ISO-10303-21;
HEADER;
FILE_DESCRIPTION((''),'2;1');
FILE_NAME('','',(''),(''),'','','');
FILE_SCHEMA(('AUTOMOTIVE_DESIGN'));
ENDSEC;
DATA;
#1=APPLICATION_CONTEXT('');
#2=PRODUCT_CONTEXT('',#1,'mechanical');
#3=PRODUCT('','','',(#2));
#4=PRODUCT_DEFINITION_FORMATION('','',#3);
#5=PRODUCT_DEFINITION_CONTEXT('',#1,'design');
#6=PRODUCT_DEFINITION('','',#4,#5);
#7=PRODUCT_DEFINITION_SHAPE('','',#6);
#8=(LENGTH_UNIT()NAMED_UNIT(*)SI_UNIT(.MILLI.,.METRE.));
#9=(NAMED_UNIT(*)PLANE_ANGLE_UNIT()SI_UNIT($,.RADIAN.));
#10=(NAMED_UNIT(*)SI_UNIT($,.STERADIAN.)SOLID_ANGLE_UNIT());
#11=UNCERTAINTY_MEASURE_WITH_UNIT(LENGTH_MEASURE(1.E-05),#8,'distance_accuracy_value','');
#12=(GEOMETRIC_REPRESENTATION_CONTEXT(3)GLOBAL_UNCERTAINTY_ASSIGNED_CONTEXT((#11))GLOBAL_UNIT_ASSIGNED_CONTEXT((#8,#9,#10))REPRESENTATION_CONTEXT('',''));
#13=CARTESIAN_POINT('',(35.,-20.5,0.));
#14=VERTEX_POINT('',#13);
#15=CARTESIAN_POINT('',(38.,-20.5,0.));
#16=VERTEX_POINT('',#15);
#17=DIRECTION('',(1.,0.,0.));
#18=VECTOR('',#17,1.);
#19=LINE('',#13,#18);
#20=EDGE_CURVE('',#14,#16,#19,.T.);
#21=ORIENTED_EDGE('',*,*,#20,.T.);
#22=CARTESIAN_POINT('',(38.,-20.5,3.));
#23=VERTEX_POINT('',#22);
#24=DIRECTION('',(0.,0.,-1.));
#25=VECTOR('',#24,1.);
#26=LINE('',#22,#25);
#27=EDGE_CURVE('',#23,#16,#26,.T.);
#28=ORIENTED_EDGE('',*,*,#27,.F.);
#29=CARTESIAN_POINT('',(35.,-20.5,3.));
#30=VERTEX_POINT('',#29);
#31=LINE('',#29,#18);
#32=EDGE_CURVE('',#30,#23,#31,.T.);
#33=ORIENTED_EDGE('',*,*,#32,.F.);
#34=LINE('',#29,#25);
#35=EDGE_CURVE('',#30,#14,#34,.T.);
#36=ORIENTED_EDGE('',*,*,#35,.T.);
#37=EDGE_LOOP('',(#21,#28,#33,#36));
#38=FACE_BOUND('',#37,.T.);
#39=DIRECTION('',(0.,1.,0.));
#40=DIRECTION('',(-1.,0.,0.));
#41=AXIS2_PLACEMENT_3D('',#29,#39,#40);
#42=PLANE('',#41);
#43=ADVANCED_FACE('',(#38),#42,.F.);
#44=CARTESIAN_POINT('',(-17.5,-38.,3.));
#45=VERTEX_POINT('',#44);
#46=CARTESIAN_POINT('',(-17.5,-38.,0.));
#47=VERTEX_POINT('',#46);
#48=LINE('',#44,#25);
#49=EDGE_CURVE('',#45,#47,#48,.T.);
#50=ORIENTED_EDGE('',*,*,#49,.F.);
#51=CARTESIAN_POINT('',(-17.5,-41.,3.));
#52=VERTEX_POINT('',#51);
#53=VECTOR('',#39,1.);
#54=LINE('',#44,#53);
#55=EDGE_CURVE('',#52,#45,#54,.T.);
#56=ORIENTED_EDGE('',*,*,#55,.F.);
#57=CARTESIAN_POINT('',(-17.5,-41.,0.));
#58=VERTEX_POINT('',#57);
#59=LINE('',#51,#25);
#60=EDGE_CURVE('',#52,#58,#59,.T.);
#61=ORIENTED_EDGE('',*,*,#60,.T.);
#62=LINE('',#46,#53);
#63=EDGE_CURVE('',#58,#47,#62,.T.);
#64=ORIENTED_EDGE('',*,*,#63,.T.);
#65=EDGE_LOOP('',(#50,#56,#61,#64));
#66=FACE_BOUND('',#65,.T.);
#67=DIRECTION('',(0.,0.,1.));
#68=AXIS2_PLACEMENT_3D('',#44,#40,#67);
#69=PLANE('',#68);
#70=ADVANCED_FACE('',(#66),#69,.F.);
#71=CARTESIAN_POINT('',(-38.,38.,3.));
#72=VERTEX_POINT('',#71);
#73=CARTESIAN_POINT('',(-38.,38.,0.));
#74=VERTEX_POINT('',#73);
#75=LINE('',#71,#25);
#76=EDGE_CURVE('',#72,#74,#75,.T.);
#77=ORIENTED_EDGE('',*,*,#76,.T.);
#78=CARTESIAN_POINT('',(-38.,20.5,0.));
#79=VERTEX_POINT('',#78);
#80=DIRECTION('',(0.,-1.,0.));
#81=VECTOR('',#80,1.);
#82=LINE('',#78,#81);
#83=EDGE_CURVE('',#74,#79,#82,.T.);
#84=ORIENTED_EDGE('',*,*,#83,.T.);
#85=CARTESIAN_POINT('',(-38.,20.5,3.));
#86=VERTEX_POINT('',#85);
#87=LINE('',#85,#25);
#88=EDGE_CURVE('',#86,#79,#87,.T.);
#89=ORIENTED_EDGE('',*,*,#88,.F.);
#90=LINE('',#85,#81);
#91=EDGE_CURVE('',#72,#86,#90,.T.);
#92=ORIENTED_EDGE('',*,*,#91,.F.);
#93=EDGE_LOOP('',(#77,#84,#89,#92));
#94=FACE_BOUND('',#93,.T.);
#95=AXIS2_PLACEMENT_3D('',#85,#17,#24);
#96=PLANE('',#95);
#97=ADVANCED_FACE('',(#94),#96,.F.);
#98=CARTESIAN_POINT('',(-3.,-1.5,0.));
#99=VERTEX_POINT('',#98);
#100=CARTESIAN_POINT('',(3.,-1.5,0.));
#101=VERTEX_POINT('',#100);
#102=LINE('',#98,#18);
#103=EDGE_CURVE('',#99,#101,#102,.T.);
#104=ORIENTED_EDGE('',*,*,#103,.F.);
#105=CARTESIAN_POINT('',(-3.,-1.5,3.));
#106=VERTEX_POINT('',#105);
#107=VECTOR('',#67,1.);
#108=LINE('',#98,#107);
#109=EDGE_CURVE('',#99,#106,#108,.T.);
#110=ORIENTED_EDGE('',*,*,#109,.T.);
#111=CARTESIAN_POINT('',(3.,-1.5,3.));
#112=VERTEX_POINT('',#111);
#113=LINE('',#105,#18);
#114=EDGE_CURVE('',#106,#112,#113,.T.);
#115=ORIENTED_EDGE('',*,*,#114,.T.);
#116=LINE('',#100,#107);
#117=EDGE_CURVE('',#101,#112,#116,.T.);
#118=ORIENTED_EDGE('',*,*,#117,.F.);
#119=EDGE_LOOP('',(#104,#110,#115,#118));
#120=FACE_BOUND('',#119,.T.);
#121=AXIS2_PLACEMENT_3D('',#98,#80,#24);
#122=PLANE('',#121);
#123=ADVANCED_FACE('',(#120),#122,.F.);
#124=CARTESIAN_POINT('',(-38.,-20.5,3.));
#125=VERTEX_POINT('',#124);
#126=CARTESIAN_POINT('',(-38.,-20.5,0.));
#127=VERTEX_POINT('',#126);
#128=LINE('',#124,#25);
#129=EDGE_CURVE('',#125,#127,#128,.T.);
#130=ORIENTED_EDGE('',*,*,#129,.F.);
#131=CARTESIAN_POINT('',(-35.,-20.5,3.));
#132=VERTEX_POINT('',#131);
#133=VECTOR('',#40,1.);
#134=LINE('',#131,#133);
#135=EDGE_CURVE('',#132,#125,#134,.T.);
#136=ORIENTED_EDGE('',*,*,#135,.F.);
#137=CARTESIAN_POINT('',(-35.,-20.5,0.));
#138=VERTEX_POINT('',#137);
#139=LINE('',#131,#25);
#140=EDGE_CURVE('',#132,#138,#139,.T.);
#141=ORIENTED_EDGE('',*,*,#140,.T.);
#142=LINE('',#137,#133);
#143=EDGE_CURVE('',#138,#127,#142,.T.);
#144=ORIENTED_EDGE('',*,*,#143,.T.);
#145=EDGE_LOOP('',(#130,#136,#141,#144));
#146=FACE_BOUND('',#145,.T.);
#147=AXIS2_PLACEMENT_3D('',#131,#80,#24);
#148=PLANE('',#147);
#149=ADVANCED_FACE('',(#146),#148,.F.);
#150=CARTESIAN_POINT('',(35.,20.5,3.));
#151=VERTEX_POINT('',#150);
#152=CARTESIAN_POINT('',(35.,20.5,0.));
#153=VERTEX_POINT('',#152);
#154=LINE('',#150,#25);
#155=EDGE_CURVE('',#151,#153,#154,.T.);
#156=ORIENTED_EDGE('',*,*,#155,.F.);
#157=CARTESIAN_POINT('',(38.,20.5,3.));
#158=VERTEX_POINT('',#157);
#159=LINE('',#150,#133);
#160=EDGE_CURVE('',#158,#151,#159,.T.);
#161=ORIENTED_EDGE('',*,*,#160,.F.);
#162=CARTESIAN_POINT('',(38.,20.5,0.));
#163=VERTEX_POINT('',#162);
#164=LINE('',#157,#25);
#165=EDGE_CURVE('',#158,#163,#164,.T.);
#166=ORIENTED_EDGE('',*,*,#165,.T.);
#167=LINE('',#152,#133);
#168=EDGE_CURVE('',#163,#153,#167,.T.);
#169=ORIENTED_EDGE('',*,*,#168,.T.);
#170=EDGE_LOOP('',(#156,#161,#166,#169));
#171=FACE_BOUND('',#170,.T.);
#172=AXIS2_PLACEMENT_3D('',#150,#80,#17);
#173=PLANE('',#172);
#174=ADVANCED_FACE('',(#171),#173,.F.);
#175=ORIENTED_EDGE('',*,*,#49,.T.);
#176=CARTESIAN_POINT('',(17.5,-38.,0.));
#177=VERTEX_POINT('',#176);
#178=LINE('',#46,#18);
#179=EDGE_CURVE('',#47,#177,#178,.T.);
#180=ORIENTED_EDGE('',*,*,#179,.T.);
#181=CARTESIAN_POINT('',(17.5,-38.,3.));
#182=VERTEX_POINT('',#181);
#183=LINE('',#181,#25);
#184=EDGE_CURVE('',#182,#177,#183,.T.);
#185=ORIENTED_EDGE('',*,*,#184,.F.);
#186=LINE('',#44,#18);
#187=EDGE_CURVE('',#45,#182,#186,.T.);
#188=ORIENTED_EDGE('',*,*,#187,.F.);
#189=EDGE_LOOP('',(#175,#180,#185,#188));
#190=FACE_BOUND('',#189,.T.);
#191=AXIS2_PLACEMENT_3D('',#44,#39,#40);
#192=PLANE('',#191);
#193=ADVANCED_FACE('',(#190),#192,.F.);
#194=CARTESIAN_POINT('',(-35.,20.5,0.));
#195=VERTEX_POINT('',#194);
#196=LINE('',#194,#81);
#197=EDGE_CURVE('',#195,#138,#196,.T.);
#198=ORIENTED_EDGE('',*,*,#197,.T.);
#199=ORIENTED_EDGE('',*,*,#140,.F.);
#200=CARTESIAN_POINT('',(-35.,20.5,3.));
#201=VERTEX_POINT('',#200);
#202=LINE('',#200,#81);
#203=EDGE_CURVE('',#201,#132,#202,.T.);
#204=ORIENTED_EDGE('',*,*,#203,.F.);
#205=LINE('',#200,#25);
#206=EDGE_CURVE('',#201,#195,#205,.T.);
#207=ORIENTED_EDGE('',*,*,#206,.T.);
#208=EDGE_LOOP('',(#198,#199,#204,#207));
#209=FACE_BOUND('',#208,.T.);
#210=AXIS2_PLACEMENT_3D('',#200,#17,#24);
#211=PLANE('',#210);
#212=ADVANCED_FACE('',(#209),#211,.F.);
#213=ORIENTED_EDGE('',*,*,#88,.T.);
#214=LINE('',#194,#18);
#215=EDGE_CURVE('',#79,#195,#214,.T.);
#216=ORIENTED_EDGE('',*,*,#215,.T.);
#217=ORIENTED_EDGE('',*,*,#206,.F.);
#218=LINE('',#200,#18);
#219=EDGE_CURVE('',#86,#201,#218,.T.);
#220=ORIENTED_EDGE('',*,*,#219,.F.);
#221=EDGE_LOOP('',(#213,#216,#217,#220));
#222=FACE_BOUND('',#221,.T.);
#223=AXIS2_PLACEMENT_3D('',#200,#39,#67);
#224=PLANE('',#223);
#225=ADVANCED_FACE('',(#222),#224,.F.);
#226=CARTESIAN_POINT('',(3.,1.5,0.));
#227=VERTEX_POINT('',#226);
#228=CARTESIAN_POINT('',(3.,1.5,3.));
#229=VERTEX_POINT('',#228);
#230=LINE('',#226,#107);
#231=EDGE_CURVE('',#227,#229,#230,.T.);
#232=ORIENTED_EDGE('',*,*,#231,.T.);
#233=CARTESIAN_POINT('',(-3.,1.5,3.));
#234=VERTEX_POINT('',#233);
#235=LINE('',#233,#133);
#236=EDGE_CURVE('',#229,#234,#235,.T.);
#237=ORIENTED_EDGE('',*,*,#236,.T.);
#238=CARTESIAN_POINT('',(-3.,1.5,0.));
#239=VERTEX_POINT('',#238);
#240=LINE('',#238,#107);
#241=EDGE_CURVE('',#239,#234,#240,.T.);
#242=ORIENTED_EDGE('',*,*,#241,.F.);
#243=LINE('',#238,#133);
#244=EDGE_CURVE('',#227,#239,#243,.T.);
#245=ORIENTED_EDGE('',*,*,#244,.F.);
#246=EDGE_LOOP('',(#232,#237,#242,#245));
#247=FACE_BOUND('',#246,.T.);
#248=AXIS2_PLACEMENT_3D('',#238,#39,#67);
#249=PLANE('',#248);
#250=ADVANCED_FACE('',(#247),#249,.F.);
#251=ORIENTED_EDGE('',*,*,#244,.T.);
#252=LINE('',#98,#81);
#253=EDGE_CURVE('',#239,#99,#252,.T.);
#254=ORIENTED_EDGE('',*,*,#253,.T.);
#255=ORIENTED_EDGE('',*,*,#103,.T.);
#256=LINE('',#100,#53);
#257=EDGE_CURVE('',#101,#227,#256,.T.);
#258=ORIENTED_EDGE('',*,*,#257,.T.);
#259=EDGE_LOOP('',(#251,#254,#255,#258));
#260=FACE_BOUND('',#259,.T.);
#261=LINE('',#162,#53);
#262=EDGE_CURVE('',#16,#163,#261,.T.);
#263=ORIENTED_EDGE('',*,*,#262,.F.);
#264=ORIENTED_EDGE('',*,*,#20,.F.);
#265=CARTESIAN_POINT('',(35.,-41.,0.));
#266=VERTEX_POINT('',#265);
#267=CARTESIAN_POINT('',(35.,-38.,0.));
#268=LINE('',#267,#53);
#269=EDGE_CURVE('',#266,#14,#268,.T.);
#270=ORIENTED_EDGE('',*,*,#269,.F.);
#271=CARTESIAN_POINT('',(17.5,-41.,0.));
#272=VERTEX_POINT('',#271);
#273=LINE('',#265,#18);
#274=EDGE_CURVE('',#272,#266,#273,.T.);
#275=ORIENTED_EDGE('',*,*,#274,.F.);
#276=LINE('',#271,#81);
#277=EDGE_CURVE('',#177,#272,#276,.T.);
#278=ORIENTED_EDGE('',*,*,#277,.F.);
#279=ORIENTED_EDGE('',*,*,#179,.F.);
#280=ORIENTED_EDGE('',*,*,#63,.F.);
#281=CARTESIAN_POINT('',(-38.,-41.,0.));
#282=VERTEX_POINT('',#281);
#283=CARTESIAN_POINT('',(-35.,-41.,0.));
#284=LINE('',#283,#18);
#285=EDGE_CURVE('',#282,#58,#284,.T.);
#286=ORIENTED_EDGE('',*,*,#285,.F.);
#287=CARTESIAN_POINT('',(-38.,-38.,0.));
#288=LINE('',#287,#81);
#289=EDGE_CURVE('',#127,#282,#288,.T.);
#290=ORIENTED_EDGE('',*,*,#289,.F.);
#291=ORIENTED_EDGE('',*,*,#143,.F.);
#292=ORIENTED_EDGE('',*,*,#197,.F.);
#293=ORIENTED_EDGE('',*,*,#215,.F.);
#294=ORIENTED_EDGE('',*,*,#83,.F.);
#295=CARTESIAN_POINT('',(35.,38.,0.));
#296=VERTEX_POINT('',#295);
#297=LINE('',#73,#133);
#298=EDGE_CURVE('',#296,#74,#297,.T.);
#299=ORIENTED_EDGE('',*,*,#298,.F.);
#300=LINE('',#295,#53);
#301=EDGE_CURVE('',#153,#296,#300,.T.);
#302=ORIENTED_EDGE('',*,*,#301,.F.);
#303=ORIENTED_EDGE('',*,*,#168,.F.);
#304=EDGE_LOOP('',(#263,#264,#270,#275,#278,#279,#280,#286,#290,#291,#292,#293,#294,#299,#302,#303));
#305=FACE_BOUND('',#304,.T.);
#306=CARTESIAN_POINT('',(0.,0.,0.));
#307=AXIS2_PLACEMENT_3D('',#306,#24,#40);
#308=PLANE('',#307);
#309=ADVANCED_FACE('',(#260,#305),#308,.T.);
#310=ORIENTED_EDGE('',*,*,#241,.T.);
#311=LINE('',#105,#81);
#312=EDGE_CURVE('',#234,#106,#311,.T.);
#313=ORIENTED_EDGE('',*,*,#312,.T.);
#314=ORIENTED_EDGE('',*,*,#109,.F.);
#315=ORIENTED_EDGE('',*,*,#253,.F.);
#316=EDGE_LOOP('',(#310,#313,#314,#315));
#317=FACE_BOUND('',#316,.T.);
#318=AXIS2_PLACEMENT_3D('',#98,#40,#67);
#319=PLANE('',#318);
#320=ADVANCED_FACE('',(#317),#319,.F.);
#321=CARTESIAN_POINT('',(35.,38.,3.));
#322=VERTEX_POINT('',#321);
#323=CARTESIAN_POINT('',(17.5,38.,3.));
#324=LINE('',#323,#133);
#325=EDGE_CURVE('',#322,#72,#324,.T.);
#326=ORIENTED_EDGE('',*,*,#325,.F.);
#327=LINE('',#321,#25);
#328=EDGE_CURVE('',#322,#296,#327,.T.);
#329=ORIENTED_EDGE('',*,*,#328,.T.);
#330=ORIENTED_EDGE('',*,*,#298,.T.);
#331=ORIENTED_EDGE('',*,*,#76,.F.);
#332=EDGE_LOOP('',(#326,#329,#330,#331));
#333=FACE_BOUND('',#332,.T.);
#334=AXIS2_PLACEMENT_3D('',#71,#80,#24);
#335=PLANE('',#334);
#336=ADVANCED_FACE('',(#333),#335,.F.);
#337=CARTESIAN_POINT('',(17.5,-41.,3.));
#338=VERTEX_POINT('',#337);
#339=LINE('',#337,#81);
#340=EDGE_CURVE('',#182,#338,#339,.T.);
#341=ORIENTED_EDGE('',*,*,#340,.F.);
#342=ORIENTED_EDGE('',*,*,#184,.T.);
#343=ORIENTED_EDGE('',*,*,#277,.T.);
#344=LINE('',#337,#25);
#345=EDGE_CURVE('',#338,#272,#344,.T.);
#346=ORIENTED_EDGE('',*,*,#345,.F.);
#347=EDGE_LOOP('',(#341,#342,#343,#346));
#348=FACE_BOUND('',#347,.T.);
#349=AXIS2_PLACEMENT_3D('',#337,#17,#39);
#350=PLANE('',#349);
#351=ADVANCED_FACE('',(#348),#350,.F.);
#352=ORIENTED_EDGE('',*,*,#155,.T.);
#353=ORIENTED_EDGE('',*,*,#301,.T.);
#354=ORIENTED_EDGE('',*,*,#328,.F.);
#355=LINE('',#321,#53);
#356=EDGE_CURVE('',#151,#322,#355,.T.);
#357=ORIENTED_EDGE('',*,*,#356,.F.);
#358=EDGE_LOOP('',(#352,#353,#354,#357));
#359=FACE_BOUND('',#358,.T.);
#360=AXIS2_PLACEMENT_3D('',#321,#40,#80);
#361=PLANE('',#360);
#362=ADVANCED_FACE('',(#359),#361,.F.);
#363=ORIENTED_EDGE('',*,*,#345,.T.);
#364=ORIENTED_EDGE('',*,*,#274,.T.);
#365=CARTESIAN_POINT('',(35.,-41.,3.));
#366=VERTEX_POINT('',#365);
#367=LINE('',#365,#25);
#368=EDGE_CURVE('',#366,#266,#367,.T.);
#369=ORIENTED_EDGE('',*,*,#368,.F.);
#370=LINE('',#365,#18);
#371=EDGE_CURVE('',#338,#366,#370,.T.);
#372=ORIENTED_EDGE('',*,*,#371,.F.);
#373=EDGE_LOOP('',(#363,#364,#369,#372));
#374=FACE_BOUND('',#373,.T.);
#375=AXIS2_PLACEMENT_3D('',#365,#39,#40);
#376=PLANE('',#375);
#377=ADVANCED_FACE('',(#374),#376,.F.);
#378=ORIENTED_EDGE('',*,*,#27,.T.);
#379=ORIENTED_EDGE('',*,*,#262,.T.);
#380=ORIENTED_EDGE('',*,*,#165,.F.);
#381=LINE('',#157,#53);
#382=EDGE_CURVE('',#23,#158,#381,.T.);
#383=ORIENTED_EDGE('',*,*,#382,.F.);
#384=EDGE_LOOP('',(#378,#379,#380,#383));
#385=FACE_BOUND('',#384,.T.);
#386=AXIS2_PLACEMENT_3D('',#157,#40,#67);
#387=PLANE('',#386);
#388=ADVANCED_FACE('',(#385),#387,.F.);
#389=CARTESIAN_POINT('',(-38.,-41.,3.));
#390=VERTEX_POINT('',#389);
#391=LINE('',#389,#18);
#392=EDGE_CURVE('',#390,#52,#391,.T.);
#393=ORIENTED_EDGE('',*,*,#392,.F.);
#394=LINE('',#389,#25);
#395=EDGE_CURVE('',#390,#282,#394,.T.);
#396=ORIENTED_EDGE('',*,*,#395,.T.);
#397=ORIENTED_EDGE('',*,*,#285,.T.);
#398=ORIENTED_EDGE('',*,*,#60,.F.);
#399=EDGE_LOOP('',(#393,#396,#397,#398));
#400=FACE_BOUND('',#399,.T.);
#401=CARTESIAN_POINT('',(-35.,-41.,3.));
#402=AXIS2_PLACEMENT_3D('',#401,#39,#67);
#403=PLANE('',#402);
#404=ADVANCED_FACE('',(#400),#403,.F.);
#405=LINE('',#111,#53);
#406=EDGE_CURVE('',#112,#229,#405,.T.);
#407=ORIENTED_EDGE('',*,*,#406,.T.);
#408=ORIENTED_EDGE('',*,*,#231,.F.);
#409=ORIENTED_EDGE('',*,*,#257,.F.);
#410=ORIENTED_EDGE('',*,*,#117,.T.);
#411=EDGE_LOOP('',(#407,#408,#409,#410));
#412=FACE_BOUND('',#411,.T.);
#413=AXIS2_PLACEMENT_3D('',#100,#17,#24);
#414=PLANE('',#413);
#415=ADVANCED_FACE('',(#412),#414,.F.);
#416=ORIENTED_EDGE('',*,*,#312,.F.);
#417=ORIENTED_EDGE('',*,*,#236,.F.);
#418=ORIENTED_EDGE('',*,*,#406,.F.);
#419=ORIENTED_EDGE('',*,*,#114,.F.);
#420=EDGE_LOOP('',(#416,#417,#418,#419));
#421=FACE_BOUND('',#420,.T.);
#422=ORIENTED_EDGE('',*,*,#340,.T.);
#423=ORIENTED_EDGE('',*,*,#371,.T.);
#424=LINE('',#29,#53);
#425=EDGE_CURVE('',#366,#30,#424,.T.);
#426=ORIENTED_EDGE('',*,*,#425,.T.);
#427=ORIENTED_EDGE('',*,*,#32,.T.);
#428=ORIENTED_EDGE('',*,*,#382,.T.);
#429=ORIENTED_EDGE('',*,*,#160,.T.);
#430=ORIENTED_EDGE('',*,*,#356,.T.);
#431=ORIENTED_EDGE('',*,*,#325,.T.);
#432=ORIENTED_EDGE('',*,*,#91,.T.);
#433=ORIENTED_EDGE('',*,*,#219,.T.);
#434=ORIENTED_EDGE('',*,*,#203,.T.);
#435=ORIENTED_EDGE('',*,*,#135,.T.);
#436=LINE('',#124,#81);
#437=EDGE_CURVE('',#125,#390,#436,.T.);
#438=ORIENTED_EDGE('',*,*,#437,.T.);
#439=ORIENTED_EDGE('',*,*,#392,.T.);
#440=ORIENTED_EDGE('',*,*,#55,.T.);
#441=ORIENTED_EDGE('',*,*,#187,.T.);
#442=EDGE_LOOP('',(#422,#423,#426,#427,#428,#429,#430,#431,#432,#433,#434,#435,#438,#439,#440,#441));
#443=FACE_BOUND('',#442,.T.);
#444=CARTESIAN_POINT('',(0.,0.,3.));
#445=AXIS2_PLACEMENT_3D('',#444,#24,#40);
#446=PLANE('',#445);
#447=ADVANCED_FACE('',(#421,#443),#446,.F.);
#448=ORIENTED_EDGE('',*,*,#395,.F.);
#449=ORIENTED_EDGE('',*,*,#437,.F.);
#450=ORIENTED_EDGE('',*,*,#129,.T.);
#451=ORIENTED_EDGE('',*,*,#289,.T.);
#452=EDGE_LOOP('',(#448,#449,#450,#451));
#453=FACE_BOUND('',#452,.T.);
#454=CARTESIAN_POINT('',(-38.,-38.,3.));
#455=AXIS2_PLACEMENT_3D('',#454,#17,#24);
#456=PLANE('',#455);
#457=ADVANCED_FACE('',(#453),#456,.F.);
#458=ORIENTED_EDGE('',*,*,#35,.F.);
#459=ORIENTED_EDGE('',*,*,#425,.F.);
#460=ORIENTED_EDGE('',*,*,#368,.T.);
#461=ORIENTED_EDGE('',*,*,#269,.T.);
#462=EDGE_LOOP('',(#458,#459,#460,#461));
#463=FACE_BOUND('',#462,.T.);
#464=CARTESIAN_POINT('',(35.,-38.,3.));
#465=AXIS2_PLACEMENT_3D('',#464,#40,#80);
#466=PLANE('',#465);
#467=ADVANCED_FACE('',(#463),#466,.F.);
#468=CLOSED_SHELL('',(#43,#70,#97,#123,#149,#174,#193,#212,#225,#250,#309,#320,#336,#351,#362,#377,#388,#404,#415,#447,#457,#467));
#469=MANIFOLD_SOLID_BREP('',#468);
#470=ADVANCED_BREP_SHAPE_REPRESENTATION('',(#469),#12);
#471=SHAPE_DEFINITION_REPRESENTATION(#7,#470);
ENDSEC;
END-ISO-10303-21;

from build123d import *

# Parameters (mm, degrees)
BOSS_EXTRUDE1_DEPTH = 3
SKETCH2_W           = 6
SKETCH2_H           = 3
CUT_EXTRUDE1_DEPTH  = 3


with BuildPart() as part:
    # Sketch1 → Boss-Extrude1 (new body)
    with BuildSketch(Plane.XY):
        Polygon((-35, 38), (-17.5, 38), (17.5, 38), (35, 38), (35, 20.5), (38, 20.5), (38, -20.5), (35, -20.5), (35, -38), (35, -41), (17.5, -41), (17.5, -38), (-17.5, -38), (-17.5, -41), (-35, -41), (-38, -41), (-38, -38), (-38, -20.5), (-35, -20.5), (-35, 20.5), (-38, 20.5), (-38, 38), align=None)
    extrude(amount=BOSS_EXTRUDE1_DEPTH)

    # Sketch2 → Cut-Extrude1 (cut)
    with BuildSketch(Plane.XY.offset(3)):
        Rectangle(SKETCH2_W, SKETCH2_H)
    extrude(amount=-CUT_EXTRUDE1_DEPTH, mode=Mode.SUBTRACT)


solid = part.part
